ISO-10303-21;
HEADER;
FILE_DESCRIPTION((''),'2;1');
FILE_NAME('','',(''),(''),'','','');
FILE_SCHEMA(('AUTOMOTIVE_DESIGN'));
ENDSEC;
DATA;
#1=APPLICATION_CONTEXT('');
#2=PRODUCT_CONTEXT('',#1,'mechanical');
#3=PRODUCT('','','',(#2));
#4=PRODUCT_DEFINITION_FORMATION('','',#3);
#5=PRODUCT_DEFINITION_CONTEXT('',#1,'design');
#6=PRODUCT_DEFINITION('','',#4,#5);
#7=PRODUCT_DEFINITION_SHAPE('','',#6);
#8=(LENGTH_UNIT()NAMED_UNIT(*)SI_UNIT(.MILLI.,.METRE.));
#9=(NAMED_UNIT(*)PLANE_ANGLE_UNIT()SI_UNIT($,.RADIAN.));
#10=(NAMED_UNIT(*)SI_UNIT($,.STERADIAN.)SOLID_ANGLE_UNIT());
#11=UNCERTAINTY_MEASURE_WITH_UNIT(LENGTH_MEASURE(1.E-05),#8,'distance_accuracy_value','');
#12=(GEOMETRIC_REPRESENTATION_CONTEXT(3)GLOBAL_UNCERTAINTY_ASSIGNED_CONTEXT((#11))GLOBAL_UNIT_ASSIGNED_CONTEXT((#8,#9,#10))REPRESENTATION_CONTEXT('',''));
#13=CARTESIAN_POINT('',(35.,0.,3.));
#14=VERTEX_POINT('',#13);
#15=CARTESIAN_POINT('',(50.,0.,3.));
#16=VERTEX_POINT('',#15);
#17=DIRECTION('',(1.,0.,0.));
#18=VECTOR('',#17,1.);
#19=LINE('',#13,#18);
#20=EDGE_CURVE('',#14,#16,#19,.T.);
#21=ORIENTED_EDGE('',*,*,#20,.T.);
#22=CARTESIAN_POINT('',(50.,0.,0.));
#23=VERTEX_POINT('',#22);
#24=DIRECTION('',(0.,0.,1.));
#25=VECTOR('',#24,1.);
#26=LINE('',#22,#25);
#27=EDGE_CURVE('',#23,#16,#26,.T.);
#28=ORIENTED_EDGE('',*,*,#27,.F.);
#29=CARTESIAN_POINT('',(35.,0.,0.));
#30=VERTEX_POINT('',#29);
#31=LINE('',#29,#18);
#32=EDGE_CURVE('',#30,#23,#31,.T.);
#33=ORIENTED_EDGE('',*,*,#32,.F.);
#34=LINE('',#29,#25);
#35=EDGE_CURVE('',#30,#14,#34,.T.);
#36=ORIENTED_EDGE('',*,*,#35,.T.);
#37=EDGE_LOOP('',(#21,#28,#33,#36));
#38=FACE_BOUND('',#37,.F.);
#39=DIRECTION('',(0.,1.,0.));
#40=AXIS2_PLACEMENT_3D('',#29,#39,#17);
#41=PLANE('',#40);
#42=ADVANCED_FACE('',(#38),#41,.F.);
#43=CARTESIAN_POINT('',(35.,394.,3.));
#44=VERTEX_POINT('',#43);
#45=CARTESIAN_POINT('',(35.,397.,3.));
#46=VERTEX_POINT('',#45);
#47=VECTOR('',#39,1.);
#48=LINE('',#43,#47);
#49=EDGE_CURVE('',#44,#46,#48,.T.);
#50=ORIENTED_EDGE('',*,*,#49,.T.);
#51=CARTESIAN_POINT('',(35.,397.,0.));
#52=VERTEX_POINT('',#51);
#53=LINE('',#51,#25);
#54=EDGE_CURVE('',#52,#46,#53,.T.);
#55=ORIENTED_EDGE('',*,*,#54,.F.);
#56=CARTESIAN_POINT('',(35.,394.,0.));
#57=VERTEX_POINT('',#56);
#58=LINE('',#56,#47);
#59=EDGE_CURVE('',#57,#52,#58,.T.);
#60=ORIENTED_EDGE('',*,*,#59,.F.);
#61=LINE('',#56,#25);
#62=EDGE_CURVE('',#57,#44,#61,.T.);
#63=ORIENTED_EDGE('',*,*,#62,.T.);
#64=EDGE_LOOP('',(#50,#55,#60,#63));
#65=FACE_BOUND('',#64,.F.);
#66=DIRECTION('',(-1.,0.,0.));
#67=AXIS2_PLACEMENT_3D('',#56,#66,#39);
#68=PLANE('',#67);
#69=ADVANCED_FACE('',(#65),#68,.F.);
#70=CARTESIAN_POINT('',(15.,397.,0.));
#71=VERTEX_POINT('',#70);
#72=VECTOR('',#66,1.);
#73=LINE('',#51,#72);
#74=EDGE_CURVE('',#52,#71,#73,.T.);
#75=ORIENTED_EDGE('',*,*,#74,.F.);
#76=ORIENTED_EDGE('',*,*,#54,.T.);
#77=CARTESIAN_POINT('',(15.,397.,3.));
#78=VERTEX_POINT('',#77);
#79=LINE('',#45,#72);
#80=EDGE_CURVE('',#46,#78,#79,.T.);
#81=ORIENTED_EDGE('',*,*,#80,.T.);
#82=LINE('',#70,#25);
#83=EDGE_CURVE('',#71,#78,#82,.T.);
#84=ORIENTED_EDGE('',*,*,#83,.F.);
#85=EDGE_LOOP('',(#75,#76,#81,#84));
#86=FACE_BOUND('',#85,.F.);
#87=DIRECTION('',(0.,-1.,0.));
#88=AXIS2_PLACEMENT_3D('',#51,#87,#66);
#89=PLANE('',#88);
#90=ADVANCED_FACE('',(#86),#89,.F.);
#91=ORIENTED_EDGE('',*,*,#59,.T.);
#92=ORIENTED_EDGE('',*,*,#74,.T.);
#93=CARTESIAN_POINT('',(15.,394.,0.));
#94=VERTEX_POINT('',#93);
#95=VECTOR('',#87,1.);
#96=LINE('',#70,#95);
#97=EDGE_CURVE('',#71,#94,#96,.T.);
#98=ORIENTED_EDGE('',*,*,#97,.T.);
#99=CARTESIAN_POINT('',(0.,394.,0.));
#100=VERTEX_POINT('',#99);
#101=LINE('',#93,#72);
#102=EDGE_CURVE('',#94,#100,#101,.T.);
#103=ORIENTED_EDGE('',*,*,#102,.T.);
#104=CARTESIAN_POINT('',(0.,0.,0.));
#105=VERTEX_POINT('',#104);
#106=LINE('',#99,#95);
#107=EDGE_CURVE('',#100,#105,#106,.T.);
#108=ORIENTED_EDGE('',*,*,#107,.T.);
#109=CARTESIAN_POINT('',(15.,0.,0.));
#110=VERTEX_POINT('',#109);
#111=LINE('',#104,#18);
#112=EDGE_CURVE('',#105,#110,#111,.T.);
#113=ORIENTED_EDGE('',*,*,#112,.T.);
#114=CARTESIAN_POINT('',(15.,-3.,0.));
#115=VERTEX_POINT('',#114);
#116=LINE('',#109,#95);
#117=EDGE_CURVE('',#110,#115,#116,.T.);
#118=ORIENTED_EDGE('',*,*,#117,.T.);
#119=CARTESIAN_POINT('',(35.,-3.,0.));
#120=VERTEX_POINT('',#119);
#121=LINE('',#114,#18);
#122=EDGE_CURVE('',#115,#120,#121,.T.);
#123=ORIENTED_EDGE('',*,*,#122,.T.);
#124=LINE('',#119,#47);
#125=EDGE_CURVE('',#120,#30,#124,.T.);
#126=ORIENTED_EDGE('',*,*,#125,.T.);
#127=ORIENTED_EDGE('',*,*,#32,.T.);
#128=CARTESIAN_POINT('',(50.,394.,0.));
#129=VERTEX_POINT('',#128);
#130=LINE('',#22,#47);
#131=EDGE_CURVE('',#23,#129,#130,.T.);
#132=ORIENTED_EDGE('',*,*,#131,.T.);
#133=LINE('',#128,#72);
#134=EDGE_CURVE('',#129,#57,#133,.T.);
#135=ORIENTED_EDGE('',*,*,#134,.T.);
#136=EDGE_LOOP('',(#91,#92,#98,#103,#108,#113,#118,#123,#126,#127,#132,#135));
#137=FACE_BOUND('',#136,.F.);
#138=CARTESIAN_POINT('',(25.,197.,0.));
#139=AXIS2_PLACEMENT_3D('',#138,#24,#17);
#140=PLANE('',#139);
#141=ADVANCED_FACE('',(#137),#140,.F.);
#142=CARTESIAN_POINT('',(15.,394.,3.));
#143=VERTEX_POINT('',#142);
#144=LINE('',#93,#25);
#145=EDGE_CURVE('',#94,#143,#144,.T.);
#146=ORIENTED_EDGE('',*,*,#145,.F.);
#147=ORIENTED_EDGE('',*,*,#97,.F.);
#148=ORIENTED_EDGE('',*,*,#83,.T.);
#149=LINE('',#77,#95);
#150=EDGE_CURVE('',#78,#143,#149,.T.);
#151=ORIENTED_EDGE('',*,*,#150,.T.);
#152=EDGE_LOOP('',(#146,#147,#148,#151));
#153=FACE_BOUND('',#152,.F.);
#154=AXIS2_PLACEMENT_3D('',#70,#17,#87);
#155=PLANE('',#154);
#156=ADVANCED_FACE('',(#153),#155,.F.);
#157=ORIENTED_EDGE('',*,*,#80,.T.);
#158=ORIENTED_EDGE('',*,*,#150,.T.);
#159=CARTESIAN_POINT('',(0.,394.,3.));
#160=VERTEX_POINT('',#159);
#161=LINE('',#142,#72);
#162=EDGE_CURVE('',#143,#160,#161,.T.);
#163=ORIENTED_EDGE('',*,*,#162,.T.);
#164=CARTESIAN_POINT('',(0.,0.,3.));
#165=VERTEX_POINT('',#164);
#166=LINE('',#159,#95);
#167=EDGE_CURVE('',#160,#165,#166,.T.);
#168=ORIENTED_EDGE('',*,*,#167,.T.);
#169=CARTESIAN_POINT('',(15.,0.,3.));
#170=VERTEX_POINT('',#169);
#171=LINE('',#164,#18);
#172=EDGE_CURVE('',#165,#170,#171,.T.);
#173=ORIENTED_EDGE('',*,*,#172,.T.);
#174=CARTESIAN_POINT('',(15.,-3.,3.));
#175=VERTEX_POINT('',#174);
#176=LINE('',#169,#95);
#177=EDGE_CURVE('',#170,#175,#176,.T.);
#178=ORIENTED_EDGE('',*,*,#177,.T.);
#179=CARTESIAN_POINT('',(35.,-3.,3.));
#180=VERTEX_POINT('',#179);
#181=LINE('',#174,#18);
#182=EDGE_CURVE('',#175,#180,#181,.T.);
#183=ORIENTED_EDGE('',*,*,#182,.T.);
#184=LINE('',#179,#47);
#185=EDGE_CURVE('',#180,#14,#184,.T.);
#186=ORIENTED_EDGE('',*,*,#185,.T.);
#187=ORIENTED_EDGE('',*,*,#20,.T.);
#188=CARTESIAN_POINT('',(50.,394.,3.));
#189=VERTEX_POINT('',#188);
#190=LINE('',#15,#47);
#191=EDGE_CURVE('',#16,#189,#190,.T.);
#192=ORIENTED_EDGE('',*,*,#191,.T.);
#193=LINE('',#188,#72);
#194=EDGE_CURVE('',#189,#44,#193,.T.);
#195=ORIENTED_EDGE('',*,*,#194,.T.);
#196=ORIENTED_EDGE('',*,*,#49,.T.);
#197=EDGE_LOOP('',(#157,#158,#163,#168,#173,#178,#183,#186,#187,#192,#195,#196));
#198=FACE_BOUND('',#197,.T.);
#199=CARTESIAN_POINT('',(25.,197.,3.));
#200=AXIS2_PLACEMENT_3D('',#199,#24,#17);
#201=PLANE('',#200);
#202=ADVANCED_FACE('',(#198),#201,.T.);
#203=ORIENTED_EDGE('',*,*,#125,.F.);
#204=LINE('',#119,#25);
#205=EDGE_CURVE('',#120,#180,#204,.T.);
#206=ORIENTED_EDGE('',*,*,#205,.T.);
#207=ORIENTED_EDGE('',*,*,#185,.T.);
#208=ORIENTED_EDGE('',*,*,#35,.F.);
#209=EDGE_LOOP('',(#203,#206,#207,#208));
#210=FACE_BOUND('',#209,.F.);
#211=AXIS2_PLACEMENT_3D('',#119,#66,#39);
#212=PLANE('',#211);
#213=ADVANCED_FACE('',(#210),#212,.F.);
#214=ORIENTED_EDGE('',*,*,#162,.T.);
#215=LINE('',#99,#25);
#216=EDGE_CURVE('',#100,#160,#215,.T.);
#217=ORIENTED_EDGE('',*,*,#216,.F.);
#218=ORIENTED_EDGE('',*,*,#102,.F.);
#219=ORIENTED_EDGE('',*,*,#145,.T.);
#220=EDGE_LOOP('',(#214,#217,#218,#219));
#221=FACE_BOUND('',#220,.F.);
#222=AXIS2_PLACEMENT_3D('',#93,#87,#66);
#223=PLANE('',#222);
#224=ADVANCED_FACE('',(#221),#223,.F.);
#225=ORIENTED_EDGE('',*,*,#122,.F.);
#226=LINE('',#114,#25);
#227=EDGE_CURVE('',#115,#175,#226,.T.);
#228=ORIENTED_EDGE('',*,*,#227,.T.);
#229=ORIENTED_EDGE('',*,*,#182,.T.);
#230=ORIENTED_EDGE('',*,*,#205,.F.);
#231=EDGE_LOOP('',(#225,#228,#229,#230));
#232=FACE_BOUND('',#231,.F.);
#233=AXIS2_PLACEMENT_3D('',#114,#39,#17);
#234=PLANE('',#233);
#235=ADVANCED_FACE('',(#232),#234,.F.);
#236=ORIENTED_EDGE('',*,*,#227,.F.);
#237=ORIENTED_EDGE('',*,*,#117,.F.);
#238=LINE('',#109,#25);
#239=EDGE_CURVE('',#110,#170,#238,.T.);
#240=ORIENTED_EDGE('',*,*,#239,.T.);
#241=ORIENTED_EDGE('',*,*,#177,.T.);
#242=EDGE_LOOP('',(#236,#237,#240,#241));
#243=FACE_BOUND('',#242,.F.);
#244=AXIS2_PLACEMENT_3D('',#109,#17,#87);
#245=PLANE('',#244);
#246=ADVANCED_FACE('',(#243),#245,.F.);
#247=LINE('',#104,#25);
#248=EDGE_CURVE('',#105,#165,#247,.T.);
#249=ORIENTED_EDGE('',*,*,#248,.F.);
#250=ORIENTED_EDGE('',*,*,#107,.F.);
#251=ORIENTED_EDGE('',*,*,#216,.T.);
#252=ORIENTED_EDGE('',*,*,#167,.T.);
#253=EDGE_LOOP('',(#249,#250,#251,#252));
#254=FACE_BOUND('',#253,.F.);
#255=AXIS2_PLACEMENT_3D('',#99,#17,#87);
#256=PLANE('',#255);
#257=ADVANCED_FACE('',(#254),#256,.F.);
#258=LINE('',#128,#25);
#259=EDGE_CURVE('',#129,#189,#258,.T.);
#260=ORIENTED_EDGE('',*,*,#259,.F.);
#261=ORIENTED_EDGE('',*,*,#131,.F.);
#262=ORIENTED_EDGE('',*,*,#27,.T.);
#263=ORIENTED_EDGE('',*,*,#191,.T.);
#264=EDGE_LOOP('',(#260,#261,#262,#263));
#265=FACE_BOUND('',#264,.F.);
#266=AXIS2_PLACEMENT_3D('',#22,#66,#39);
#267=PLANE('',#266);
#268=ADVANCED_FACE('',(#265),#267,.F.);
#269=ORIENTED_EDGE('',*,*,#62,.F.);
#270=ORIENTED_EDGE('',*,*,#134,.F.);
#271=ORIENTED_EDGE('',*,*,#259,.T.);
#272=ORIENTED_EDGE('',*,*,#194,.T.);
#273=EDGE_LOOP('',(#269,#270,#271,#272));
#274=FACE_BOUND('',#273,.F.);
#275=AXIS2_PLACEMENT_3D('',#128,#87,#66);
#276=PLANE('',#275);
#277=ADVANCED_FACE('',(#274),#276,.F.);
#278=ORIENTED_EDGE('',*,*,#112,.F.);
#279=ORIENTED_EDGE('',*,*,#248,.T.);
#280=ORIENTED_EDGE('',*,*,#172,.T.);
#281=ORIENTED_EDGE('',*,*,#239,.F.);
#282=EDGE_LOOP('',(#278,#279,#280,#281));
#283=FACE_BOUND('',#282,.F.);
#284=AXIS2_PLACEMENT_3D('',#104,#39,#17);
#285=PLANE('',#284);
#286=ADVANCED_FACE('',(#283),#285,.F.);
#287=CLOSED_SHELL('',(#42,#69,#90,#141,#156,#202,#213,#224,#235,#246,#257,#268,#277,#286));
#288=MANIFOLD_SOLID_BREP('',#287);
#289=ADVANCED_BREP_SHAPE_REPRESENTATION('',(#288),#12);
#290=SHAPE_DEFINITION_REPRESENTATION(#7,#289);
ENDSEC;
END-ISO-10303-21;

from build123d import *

# Parameters (mm, degrees)
SALIENTE_EXTRUIR3_DEPTH = 3


with BuildPart() as part:
    # Croquis1 → Saliente-Extruir3 (new body)
    with BuildSketch(Plane.XY):
        Polygon((35, -3), (35, 0), (50, 0), (50, 394), (35, 394), (35, 397), (15, 397), (15, 394), (0, 394), (0, 0), (15, 0), (15, -3), align=None)
    extrude(amount=SALIENTE_EXTRUIR3_DEPTH)


solid = part.part
